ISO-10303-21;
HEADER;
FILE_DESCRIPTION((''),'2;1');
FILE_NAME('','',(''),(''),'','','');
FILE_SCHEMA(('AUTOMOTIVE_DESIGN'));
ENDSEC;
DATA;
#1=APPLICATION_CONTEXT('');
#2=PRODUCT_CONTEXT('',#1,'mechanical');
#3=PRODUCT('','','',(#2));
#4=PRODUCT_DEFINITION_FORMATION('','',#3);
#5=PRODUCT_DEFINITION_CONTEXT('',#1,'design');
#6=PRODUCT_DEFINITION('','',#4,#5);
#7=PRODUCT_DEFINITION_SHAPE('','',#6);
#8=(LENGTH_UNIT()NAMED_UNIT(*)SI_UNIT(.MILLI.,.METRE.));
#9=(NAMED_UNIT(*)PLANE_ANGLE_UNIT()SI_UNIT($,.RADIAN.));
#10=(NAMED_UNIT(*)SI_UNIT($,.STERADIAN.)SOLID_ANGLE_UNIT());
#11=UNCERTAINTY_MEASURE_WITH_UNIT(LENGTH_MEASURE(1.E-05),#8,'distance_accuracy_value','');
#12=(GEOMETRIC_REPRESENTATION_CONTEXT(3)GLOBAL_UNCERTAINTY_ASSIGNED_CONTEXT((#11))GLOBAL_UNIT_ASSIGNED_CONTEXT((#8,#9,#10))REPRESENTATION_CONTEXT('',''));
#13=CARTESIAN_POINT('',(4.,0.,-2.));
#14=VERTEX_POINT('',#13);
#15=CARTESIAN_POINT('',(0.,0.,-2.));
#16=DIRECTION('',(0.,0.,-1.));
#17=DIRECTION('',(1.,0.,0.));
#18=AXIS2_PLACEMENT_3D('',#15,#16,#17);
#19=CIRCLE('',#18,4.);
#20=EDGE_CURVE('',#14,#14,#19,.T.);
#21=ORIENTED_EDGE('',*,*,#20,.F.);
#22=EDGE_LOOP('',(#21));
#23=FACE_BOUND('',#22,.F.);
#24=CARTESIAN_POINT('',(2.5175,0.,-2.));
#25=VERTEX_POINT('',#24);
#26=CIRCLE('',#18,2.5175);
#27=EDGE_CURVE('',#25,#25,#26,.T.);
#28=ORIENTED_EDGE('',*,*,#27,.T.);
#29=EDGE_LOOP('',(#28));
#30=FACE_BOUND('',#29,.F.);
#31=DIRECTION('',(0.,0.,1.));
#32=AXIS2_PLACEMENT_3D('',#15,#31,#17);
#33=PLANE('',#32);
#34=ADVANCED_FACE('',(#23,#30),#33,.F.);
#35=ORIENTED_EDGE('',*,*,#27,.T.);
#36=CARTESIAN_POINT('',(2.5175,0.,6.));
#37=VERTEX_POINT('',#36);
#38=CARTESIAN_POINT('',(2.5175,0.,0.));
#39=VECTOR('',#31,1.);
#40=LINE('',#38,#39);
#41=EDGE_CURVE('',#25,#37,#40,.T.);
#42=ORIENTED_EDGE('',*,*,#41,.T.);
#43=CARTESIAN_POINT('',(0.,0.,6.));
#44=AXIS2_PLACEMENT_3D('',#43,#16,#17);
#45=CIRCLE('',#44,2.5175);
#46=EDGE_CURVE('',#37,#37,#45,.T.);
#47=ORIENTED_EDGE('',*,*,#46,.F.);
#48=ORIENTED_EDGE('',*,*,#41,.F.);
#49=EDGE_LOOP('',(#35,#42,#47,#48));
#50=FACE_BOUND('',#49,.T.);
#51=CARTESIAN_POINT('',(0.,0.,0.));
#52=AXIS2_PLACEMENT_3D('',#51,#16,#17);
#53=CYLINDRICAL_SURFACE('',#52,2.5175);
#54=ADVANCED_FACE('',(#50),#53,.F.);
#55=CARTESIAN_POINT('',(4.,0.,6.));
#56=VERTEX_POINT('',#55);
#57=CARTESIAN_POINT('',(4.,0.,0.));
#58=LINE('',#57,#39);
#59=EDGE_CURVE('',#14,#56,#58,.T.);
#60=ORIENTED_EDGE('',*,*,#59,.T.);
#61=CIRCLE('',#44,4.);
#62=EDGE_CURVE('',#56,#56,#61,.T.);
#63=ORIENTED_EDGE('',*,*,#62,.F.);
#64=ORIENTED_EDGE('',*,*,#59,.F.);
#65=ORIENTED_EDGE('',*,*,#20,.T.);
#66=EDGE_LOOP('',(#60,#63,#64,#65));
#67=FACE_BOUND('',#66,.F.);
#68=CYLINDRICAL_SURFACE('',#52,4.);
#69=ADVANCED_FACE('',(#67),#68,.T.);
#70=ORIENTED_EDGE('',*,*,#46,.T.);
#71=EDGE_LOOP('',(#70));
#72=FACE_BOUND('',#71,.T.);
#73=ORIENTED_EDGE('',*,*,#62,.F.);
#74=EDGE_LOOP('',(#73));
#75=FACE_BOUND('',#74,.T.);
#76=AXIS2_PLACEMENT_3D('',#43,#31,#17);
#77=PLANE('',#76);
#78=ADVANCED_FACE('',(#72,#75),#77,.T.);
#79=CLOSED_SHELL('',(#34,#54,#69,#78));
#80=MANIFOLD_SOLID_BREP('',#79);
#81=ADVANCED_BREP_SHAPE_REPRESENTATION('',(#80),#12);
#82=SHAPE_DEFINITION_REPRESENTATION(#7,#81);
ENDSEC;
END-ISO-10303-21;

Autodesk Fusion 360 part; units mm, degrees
sketch "Sketch1" plane through (0, 0, 0) normal (0, 0, 1) x (1, 0, 0)
  circle A0 centre (0, 0) radius 4
  circle A1 centre (0, 0) radius 2
  dimension "d1" = 8
  dimension "d2" = 4
extrude "Extrude1" add sketch "Sketch1" along normal blind 6
thread "Thread1" "ISO Metric profile 6.0 M6x1 M6x1 6H" major diameter 6.147 minor diameter 5.035 pitch 1 angle 60 resizes the face on face at (1.9975, -0.0997, 4)
move_face "OffsetFaces1" offset 2 1 faces at (3.4816, 0.3238, 0)
